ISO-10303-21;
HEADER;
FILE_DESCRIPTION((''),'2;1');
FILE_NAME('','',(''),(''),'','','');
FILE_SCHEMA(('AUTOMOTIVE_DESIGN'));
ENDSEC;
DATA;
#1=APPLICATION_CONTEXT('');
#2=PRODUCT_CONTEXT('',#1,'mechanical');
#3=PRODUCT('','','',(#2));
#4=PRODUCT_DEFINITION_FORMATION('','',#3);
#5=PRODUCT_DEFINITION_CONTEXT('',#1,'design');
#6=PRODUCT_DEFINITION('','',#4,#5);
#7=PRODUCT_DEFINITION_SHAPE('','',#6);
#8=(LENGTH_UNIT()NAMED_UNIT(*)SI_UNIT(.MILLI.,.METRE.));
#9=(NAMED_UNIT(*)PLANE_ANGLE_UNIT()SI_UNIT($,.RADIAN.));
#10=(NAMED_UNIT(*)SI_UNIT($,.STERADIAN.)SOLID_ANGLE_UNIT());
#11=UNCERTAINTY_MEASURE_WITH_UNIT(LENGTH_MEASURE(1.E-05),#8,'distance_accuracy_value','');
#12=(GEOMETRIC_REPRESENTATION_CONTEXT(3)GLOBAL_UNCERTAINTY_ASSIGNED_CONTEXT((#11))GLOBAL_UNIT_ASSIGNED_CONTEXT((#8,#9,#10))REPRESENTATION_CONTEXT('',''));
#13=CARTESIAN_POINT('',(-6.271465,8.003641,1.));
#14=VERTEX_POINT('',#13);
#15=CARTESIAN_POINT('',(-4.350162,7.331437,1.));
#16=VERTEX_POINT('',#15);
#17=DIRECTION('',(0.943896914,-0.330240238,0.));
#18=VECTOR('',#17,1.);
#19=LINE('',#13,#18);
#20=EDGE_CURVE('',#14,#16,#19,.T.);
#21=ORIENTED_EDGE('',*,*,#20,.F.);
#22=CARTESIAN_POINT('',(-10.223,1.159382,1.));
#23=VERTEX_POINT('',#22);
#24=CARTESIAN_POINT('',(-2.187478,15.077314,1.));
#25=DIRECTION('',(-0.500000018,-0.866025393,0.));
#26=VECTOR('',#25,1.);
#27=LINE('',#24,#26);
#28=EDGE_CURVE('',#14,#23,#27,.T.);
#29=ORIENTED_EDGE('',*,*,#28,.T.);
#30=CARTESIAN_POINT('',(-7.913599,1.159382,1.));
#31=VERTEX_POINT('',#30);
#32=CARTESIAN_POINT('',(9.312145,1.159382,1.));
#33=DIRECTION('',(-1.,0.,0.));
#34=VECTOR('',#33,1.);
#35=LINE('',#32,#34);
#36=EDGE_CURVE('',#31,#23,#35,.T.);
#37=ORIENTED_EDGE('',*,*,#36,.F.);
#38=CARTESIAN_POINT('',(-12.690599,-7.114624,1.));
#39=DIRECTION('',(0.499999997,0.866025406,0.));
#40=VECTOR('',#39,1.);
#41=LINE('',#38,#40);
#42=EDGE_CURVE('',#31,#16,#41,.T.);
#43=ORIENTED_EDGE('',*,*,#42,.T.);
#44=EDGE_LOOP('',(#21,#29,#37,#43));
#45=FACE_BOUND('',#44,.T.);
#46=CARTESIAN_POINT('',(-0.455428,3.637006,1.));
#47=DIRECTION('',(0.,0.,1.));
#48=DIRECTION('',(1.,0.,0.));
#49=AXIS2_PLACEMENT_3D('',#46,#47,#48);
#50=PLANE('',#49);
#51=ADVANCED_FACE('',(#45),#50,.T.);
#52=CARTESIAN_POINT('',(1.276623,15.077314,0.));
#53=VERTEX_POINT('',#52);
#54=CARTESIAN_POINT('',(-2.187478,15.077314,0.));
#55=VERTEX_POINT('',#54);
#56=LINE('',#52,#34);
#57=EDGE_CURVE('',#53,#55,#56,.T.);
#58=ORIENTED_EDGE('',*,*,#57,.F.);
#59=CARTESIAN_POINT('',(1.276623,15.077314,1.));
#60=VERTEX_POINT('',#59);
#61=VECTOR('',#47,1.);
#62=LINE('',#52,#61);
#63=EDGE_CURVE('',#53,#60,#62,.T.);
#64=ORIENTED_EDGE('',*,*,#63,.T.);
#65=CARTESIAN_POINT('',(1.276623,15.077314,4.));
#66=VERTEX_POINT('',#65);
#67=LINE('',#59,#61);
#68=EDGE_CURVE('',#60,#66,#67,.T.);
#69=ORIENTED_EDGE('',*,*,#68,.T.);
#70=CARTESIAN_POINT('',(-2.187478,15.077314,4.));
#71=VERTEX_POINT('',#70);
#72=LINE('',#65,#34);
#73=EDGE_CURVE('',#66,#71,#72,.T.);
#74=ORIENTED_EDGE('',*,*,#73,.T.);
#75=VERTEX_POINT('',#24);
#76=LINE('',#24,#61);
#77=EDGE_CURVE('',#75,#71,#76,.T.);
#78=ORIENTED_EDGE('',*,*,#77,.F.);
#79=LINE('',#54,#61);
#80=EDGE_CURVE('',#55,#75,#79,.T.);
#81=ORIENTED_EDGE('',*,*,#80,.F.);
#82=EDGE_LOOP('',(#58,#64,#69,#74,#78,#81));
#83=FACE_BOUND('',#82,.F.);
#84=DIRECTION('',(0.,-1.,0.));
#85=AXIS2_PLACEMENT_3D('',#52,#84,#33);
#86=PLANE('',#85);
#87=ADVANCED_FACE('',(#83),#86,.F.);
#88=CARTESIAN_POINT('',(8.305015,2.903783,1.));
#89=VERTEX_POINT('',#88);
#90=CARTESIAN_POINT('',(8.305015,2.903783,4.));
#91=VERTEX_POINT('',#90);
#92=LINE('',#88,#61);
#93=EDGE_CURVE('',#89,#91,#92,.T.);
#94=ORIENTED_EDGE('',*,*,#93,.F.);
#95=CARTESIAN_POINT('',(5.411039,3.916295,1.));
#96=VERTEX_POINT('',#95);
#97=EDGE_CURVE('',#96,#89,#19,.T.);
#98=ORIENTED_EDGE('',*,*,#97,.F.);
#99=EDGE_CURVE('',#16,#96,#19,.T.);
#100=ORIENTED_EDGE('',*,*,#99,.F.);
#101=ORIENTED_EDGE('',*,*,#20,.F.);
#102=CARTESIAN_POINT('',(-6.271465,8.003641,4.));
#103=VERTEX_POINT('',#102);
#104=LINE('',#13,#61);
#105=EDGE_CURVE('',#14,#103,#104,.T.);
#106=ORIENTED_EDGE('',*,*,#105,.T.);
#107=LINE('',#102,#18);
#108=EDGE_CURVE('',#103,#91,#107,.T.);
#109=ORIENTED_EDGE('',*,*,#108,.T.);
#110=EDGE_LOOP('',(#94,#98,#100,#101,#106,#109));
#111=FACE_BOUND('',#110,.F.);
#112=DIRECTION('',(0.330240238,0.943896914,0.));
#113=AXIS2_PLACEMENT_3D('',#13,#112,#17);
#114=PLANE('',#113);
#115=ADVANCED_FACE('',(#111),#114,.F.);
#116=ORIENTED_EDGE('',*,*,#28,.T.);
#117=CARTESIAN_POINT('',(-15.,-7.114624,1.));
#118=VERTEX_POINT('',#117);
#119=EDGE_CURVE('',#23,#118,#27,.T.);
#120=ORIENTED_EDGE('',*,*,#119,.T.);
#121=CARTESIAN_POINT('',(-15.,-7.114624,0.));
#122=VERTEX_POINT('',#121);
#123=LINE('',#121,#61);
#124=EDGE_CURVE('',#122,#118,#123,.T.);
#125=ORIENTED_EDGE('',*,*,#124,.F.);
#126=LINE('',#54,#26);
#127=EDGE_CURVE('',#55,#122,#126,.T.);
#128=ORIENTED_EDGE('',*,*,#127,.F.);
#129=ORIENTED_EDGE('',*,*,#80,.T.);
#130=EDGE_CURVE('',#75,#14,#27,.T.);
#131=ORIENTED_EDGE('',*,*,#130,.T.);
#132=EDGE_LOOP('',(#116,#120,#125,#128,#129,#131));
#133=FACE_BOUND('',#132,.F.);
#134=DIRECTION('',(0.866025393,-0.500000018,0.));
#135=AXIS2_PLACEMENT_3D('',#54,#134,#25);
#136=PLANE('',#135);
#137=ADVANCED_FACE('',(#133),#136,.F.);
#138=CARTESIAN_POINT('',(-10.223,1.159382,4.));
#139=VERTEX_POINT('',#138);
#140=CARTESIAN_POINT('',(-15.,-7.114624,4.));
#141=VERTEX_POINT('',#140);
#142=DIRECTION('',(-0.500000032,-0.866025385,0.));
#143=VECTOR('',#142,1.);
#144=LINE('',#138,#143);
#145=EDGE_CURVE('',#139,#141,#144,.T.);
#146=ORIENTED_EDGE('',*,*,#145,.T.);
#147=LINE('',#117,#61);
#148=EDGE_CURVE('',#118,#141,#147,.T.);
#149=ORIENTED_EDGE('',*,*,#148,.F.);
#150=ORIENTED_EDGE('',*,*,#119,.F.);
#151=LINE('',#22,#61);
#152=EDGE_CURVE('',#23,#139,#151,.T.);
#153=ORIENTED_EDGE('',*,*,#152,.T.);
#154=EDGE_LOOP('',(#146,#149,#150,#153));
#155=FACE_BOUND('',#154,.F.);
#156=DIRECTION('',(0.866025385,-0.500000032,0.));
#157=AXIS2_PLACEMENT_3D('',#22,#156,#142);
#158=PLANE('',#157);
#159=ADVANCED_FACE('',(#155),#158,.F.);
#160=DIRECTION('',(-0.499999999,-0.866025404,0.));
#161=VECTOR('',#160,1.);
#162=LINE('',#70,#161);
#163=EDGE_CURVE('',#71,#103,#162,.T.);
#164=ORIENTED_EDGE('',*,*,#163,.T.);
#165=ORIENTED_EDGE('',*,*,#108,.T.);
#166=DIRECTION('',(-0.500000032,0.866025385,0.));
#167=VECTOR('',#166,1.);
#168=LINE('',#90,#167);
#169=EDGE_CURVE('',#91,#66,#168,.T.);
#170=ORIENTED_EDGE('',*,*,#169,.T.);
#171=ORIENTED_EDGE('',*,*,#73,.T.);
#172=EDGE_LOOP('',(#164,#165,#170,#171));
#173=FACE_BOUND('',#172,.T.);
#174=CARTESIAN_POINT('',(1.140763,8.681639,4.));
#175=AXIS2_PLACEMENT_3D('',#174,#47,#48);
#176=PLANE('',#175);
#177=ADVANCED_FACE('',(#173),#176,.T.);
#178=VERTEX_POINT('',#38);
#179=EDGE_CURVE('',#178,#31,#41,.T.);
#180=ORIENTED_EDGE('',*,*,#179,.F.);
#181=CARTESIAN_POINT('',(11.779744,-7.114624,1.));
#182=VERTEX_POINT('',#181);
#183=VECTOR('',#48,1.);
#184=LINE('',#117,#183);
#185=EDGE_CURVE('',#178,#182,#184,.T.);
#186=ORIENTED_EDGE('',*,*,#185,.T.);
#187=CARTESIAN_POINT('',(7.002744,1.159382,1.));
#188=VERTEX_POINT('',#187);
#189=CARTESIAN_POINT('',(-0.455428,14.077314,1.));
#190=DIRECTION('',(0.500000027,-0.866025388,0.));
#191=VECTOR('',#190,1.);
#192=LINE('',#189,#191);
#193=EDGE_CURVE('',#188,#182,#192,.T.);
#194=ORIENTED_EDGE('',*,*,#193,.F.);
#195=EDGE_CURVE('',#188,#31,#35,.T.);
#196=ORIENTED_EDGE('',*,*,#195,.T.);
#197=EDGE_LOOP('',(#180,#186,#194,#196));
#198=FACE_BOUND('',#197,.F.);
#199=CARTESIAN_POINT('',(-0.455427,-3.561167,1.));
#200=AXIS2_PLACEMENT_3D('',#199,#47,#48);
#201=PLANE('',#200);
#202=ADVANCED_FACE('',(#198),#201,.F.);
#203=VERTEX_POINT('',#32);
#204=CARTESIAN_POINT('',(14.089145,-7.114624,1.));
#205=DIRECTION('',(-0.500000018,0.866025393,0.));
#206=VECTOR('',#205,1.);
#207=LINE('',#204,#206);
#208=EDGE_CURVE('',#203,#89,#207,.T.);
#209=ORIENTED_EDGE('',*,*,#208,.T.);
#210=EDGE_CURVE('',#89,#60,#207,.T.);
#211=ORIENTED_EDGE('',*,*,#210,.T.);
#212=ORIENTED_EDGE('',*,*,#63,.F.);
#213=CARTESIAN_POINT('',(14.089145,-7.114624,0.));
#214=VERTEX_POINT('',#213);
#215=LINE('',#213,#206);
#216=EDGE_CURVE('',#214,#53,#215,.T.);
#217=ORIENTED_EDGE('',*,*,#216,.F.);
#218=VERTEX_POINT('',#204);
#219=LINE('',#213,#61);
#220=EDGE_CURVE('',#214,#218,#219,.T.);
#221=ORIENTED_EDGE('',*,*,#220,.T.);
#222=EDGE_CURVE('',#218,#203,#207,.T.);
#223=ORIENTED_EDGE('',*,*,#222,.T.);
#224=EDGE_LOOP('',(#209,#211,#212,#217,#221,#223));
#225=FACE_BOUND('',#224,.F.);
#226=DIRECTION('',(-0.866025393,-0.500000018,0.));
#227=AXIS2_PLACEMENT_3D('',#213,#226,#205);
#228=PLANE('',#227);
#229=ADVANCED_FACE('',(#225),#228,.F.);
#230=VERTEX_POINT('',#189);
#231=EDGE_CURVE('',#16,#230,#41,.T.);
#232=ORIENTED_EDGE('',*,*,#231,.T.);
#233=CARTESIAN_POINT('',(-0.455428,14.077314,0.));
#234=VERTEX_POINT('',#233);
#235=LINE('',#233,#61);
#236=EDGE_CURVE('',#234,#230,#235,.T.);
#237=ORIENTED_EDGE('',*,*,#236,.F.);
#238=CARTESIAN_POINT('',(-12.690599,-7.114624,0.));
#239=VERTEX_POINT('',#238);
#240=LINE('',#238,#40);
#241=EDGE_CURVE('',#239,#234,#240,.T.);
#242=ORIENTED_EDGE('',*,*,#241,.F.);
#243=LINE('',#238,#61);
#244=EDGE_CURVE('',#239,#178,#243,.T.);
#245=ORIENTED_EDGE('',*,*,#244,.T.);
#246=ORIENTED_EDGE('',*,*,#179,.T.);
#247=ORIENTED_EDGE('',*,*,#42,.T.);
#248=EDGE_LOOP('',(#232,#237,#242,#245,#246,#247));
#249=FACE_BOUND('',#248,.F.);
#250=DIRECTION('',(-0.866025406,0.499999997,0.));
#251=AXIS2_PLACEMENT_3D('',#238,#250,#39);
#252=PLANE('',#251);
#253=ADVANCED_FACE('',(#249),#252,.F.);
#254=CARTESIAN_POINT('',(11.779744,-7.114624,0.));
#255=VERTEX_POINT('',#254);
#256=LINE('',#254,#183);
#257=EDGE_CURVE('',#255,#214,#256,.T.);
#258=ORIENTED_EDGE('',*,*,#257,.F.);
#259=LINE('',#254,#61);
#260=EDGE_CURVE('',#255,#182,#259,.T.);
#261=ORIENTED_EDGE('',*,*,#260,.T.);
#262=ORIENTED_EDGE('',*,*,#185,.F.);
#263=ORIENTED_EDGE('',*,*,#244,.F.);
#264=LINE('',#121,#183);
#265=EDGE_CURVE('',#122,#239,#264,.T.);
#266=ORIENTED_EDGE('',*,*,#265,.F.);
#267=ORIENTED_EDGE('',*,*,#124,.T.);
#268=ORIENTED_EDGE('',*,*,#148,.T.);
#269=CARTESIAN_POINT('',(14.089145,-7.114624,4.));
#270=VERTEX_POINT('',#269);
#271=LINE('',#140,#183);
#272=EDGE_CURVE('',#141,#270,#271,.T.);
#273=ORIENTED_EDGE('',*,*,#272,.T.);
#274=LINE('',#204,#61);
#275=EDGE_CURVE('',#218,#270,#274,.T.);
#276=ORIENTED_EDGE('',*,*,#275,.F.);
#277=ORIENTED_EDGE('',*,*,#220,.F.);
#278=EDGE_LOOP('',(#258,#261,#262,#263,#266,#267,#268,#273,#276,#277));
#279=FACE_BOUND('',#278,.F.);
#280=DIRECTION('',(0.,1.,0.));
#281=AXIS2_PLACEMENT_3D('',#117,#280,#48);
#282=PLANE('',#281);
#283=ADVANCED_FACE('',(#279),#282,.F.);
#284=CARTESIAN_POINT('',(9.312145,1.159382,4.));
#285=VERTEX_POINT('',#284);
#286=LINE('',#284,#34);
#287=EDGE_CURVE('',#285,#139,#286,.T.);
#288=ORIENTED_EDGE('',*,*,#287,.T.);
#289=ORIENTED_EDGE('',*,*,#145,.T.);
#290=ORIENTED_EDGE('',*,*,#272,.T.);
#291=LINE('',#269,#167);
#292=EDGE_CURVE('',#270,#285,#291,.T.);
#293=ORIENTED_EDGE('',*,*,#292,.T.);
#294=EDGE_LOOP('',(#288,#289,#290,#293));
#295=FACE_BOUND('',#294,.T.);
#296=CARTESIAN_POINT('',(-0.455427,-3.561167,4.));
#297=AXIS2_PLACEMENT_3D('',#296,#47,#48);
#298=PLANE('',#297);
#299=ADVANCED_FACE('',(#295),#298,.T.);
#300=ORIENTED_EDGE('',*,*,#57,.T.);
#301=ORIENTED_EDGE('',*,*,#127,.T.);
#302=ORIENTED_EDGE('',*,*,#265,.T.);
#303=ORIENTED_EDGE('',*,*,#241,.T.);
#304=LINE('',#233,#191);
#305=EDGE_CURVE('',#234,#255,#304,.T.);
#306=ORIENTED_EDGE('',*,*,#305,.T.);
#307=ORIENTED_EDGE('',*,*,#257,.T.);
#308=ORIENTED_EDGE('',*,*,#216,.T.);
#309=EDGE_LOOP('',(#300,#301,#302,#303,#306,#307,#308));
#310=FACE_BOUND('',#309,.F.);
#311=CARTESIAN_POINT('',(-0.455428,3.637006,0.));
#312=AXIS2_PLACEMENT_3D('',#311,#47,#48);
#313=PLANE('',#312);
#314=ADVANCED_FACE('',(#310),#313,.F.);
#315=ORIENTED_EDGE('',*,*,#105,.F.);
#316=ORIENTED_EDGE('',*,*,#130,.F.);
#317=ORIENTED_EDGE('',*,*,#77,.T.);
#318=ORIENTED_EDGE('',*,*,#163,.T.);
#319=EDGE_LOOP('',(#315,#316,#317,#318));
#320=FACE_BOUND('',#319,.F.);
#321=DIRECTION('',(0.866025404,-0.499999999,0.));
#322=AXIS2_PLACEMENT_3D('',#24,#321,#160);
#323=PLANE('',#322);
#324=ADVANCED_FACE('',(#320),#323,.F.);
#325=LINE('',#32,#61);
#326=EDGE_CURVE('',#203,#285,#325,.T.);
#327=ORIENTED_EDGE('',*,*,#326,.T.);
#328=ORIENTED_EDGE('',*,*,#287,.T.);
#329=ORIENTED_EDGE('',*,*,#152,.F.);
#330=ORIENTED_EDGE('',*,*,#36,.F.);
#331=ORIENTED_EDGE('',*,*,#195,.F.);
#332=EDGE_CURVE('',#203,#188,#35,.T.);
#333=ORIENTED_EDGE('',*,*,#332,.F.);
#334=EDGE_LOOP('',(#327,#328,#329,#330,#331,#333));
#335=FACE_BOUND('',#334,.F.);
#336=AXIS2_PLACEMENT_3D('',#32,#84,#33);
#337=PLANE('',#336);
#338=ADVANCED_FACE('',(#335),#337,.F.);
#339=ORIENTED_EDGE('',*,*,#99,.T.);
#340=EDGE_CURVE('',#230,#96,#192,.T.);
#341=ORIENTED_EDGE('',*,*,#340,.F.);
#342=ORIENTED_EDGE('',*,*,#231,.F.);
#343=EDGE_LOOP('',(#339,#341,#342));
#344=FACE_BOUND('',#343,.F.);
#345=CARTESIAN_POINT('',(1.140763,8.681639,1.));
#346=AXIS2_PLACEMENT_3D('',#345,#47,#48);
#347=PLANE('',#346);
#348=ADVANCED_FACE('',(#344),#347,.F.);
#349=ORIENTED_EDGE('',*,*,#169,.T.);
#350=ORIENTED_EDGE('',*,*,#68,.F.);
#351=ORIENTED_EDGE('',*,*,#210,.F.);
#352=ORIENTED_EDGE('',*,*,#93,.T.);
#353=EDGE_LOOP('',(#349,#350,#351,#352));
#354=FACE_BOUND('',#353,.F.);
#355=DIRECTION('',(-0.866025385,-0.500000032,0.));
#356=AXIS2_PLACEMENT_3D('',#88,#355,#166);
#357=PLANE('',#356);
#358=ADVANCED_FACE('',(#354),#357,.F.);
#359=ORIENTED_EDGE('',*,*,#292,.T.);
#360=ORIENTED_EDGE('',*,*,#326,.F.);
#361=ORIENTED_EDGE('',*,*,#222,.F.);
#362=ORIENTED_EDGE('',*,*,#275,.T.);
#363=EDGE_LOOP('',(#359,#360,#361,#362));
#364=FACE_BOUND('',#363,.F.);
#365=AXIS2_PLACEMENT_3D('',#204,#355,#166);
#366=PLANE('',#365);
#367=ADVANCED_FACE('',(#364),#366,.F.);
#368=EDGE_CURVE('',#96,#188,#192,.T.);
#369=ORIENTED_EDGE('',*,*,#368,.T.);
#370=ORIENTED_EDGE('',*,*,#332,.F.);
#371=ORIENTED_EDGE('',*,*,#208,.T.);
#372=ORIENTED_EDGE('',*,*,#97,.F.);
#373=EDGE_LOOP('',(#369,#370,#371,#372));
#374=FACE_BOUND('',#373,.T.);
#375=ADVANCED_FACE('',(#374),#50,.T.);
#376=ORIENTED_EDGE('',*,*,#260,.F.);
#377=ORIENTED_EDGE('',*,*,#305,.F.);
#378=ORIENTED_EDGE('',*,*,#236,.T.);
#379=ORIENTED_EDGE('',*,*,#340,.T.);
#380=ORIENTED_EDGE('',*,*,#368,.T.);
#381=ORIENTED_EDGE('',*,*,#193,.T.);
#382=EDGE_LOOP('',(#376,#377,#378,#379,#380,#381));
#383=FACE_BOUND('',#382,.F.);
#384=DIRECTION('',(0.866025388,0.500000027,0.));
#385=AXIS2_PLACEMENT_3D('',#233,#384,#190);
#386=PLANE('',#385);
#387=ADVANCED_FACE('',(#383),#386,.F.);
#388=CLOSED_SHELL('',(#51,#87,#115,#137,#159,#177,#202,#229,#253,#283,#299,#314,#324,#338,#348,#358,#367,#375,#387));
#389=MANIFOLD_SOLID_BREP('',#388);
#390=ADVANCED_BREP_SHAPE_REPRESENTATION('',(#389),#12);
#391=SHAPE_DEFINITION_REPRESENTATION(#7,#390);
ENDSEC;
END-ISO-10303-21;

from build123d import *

# Parameters (mm, degrees)
F1_DEPTH = 1
F3_DEPTH = 3


with BuildPart() as f1:
    # F0 (on Top) → F1 (new body)
    with BuildSketch(Plane.XY):
        Polygon((-2.187478, 15.077314), (-15, -7.114624), (-12.690599, -7.114624), (-0.455428, 14.077314), (11.779744, -7.114624), (14.089145, -7.114624), (1.276623, 15.077314), align=None)
    extrude(amount=F1_DEPTH)

    # F2 (on face) → F3 (join)
    with BuildSketch(Plane.XY.offset(1)):
        Polygon((-10.223, 1.159382), (-15, -7.114624), (14.089145, -7.114624), (9.312145, 1.159382), align=None)
        Polygon((1.276623, 15.077314), (-2.187478, 15.077314), (-6.271465, 8.003641), (8.305015, 2.903783), align=None)
    extrude(amount=F3_DEPTH)


solid = f1.part
